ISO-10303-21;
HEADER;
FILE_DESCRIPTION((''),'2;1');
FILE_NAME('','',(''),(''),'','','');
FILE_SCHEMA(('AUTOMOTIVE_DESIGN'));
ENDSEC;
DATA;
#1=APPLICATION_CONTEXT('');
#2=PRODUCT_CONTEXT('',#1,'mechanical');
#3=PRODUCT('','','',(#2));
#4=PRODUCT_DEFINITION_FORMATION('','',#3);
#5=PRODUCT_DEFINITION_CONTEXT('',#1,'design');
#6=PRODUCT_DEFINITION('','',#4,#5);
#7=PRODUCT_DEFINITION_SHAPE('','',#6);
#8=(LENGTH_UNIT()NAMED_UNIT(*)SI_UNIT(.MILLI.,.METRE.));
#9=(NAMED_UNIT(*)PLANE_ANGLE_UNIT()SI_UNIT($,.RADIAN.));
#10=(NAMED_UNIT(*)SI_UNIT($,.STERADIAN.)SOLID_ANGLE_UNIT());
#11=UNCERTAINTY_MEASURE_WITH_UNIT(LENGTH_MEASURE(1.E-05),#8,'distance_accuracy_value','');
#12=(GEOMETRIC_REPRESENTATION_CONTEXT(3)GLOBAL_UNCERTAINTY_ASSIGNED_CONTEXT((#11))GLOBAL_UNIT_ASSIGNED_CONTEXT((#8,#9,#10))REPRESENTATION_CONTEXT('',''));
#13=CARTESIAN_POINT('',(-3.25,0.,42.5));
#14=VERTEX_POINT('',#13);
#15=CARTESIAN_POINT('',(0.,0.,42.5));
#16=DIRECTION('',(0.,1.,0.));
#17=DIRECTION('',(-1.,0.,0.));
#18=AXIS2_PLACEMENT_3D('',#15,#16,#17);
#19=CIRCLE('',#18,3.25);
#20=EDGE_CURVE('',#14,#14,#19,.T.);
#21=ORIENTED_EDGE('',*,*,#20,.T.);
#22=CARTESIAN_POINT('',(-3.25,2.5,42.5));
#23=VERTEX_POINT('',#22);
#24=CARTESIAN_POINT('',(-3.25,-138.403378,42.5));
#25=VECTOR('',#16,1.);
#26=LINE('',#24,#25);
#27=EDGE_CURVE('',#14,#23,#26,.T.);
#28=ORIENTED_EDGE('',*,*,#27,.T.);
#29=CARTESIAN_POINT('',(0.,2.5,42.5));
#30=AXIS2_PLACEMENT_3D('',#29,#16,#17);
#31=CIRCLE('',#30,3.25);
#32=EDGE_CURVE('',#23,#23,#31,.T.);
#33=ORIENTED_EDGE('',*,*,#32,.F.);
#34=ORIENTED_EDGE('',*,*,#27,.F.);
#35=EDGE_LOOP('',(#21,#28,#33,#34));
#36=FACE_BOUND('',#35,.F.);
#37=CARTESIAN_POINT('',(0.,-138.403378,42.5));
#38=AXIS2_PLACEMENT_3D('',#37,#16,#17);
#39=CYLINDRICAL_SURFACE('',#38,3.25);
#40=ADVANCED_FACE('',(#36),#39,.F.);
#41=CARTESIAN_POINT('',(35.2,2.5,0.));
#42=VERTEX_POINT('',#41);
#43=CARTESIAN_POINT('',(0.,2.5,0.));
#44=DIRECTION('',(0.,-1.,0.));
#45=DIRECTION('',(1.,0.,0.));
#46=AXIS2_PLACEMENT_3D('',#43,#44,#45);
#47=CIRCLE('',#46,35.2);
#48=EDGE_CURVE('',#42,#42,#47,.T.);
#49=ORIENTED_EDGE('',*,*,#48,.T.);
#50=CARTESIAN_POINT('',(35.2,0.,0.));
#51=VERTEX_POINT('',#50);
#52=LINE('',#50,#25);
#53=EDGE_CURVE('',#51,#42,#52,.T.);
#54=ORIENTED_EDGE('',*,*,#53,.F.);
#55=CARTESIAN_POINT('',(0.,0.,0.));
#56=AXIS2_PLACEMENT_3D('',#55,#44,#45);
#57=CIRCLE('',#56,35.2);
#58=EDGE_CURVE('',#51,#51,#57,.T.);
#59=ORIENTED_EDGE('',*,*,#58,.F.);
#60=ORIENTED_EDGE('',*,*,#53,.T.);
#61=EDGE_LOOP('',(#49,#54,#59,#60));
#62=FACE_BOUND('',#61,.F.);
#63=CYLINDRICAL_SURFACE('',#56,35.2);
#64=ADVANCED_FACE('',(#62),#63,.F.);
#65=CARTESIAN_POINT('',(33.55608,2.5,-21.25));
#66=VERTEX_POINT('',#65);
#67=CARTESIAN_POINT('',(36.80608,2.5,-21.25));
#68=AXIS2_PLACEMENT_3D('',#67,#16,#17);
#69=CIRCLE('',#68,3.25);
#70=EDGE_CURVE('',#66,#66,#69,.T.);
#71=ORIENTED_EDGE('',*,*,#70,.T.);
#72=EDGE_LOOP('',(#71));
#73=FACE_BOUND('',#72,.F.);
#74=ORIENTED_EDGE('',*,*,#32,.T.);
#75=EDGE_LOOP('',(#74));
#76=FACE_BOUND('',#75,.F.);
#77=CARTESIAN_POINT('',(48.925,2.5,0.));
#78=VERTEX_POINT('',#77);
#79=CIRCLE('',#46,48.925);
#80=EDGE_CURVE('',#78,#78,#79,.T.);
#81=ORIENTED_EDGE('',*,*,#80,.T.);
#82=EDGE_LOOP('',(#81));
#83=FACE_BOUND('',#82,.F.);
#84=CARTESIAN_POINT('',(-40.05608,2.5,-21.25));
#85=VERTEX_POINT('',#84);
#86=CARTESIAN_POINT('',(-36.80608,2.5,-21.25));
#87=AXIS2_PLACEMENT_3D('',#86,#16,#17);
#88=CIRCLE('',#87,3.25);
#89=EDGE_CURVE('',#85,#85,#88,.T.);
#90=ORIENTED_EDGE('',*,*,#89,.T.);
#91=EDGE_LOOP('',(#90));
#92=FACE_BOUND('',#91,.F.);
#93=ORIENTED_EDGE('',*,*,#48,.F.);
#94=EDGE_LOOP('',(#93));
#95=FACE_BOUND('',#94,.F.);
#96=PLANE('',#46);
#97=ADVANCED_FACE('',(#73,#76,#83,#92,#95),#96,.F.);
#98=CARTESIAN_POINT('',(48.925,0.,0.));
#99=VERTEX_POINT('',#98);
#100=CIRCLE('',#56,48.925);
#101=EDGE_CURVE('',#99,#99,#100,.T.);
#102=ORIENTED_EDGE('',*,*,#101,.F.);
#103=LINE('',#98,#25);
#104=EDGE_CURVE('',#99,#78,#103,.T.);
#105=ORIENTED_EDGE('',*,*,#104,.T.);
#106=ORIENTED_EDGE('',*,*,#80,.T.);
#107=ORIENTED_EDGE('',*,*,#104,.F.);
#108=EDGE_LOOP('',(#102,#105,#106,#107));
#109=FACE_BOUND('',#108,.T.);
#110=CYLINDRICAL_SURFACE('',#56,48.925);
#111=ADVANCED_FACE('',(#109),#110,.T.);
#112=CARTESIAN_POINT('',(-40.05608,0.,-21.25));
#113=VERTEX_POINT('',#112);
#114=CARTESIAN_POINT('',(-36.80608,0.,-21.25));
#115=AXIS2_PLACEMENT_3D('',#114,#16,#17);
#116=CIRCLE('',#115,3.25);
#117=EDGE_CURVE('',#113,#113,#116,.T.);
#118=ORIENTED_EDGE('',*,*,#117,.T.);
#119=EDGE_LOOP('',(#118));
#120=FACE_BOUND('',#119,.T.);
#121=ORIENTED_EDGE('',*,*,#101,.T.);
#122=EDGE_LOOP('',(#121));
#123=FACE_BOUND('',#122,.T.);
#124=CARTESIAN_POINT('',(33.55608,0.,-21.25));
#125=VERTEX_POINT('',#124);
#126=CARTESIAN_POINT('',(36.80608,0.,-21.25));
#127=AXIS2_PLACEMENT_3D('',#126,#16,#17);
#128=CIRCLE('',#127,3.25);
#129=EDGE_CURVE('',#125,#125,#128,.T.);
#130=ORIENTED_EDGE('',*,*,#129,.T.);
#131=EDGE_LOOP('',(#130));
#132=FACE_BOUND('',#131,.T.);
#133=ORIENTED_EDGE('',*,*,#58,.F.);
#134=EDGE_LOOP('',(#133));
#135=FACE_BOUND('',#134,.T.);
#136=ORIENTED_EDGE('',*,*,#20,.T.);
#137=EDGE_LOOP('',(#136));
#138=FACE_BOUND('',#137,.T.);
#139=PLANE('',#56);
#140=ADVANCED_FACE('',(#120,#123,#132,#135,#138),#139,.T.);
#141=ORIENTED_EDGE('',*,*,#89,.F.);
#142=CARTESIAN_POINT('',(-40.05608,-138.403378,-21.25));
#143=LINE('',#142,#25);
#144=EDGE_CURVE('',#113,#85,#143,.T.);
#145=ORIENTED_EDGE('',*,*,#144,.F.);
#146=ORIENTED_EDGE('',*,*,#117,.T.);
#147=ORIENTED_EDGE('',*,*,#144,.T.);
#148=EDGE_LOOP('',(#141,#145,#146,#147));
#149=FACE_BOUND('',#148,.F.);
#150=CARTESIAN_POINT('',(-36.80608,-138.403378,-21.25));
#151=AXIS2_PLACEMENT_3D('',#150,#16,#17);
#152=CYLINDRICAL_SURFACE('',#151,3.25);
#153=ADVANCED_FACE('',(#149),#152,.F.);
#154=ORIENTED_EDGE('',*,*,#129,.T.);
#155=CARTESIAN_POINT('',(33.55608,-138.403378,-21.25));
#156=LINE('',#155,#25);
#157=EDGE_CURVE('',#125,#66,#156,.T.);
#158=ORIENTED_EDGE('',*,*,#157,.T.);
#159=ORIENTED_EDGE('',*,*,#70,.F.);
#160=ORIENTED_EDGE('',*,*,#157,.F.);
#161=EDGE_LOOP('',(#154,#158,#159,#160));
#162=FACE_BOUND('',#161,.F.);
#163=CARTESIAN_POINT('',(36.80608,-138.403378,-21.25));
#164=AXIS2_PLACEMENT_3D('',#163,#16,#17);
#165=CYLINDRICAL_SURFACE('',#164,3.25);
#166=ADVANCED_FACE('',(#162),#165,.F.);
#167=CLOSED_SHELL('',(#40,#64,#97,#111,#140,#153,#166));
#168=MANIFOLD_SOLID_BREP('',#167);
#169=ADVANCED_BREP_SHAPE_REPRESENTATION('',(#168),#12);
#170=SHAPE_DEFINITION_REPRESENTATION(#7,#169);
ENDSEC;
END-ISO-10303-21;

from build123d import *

# Parameters (mm, degrees)
F0_R     = 48.925
F0_R_2   = 35.2
F1_DEPTH = 2.5
F3_D     = 6.5


with BuildPart() as f1:
    # F0 (on Front) → F1 (new body)
    with BuildSketch(Plane.XZ):
        Circle(F0_R)
        Circle(F0_R_2, mode=Mode.SUBTRACT)
    extrude(amount=-F1_DEPTH)

    # F3 (through all)
    with Locations(Plane.XZ):
        with Locations((0, 42.5), (-36.80608, -21.25), (36.80608, -21.25)):
            Hole(F3_D / 2)


solid = f1.part
